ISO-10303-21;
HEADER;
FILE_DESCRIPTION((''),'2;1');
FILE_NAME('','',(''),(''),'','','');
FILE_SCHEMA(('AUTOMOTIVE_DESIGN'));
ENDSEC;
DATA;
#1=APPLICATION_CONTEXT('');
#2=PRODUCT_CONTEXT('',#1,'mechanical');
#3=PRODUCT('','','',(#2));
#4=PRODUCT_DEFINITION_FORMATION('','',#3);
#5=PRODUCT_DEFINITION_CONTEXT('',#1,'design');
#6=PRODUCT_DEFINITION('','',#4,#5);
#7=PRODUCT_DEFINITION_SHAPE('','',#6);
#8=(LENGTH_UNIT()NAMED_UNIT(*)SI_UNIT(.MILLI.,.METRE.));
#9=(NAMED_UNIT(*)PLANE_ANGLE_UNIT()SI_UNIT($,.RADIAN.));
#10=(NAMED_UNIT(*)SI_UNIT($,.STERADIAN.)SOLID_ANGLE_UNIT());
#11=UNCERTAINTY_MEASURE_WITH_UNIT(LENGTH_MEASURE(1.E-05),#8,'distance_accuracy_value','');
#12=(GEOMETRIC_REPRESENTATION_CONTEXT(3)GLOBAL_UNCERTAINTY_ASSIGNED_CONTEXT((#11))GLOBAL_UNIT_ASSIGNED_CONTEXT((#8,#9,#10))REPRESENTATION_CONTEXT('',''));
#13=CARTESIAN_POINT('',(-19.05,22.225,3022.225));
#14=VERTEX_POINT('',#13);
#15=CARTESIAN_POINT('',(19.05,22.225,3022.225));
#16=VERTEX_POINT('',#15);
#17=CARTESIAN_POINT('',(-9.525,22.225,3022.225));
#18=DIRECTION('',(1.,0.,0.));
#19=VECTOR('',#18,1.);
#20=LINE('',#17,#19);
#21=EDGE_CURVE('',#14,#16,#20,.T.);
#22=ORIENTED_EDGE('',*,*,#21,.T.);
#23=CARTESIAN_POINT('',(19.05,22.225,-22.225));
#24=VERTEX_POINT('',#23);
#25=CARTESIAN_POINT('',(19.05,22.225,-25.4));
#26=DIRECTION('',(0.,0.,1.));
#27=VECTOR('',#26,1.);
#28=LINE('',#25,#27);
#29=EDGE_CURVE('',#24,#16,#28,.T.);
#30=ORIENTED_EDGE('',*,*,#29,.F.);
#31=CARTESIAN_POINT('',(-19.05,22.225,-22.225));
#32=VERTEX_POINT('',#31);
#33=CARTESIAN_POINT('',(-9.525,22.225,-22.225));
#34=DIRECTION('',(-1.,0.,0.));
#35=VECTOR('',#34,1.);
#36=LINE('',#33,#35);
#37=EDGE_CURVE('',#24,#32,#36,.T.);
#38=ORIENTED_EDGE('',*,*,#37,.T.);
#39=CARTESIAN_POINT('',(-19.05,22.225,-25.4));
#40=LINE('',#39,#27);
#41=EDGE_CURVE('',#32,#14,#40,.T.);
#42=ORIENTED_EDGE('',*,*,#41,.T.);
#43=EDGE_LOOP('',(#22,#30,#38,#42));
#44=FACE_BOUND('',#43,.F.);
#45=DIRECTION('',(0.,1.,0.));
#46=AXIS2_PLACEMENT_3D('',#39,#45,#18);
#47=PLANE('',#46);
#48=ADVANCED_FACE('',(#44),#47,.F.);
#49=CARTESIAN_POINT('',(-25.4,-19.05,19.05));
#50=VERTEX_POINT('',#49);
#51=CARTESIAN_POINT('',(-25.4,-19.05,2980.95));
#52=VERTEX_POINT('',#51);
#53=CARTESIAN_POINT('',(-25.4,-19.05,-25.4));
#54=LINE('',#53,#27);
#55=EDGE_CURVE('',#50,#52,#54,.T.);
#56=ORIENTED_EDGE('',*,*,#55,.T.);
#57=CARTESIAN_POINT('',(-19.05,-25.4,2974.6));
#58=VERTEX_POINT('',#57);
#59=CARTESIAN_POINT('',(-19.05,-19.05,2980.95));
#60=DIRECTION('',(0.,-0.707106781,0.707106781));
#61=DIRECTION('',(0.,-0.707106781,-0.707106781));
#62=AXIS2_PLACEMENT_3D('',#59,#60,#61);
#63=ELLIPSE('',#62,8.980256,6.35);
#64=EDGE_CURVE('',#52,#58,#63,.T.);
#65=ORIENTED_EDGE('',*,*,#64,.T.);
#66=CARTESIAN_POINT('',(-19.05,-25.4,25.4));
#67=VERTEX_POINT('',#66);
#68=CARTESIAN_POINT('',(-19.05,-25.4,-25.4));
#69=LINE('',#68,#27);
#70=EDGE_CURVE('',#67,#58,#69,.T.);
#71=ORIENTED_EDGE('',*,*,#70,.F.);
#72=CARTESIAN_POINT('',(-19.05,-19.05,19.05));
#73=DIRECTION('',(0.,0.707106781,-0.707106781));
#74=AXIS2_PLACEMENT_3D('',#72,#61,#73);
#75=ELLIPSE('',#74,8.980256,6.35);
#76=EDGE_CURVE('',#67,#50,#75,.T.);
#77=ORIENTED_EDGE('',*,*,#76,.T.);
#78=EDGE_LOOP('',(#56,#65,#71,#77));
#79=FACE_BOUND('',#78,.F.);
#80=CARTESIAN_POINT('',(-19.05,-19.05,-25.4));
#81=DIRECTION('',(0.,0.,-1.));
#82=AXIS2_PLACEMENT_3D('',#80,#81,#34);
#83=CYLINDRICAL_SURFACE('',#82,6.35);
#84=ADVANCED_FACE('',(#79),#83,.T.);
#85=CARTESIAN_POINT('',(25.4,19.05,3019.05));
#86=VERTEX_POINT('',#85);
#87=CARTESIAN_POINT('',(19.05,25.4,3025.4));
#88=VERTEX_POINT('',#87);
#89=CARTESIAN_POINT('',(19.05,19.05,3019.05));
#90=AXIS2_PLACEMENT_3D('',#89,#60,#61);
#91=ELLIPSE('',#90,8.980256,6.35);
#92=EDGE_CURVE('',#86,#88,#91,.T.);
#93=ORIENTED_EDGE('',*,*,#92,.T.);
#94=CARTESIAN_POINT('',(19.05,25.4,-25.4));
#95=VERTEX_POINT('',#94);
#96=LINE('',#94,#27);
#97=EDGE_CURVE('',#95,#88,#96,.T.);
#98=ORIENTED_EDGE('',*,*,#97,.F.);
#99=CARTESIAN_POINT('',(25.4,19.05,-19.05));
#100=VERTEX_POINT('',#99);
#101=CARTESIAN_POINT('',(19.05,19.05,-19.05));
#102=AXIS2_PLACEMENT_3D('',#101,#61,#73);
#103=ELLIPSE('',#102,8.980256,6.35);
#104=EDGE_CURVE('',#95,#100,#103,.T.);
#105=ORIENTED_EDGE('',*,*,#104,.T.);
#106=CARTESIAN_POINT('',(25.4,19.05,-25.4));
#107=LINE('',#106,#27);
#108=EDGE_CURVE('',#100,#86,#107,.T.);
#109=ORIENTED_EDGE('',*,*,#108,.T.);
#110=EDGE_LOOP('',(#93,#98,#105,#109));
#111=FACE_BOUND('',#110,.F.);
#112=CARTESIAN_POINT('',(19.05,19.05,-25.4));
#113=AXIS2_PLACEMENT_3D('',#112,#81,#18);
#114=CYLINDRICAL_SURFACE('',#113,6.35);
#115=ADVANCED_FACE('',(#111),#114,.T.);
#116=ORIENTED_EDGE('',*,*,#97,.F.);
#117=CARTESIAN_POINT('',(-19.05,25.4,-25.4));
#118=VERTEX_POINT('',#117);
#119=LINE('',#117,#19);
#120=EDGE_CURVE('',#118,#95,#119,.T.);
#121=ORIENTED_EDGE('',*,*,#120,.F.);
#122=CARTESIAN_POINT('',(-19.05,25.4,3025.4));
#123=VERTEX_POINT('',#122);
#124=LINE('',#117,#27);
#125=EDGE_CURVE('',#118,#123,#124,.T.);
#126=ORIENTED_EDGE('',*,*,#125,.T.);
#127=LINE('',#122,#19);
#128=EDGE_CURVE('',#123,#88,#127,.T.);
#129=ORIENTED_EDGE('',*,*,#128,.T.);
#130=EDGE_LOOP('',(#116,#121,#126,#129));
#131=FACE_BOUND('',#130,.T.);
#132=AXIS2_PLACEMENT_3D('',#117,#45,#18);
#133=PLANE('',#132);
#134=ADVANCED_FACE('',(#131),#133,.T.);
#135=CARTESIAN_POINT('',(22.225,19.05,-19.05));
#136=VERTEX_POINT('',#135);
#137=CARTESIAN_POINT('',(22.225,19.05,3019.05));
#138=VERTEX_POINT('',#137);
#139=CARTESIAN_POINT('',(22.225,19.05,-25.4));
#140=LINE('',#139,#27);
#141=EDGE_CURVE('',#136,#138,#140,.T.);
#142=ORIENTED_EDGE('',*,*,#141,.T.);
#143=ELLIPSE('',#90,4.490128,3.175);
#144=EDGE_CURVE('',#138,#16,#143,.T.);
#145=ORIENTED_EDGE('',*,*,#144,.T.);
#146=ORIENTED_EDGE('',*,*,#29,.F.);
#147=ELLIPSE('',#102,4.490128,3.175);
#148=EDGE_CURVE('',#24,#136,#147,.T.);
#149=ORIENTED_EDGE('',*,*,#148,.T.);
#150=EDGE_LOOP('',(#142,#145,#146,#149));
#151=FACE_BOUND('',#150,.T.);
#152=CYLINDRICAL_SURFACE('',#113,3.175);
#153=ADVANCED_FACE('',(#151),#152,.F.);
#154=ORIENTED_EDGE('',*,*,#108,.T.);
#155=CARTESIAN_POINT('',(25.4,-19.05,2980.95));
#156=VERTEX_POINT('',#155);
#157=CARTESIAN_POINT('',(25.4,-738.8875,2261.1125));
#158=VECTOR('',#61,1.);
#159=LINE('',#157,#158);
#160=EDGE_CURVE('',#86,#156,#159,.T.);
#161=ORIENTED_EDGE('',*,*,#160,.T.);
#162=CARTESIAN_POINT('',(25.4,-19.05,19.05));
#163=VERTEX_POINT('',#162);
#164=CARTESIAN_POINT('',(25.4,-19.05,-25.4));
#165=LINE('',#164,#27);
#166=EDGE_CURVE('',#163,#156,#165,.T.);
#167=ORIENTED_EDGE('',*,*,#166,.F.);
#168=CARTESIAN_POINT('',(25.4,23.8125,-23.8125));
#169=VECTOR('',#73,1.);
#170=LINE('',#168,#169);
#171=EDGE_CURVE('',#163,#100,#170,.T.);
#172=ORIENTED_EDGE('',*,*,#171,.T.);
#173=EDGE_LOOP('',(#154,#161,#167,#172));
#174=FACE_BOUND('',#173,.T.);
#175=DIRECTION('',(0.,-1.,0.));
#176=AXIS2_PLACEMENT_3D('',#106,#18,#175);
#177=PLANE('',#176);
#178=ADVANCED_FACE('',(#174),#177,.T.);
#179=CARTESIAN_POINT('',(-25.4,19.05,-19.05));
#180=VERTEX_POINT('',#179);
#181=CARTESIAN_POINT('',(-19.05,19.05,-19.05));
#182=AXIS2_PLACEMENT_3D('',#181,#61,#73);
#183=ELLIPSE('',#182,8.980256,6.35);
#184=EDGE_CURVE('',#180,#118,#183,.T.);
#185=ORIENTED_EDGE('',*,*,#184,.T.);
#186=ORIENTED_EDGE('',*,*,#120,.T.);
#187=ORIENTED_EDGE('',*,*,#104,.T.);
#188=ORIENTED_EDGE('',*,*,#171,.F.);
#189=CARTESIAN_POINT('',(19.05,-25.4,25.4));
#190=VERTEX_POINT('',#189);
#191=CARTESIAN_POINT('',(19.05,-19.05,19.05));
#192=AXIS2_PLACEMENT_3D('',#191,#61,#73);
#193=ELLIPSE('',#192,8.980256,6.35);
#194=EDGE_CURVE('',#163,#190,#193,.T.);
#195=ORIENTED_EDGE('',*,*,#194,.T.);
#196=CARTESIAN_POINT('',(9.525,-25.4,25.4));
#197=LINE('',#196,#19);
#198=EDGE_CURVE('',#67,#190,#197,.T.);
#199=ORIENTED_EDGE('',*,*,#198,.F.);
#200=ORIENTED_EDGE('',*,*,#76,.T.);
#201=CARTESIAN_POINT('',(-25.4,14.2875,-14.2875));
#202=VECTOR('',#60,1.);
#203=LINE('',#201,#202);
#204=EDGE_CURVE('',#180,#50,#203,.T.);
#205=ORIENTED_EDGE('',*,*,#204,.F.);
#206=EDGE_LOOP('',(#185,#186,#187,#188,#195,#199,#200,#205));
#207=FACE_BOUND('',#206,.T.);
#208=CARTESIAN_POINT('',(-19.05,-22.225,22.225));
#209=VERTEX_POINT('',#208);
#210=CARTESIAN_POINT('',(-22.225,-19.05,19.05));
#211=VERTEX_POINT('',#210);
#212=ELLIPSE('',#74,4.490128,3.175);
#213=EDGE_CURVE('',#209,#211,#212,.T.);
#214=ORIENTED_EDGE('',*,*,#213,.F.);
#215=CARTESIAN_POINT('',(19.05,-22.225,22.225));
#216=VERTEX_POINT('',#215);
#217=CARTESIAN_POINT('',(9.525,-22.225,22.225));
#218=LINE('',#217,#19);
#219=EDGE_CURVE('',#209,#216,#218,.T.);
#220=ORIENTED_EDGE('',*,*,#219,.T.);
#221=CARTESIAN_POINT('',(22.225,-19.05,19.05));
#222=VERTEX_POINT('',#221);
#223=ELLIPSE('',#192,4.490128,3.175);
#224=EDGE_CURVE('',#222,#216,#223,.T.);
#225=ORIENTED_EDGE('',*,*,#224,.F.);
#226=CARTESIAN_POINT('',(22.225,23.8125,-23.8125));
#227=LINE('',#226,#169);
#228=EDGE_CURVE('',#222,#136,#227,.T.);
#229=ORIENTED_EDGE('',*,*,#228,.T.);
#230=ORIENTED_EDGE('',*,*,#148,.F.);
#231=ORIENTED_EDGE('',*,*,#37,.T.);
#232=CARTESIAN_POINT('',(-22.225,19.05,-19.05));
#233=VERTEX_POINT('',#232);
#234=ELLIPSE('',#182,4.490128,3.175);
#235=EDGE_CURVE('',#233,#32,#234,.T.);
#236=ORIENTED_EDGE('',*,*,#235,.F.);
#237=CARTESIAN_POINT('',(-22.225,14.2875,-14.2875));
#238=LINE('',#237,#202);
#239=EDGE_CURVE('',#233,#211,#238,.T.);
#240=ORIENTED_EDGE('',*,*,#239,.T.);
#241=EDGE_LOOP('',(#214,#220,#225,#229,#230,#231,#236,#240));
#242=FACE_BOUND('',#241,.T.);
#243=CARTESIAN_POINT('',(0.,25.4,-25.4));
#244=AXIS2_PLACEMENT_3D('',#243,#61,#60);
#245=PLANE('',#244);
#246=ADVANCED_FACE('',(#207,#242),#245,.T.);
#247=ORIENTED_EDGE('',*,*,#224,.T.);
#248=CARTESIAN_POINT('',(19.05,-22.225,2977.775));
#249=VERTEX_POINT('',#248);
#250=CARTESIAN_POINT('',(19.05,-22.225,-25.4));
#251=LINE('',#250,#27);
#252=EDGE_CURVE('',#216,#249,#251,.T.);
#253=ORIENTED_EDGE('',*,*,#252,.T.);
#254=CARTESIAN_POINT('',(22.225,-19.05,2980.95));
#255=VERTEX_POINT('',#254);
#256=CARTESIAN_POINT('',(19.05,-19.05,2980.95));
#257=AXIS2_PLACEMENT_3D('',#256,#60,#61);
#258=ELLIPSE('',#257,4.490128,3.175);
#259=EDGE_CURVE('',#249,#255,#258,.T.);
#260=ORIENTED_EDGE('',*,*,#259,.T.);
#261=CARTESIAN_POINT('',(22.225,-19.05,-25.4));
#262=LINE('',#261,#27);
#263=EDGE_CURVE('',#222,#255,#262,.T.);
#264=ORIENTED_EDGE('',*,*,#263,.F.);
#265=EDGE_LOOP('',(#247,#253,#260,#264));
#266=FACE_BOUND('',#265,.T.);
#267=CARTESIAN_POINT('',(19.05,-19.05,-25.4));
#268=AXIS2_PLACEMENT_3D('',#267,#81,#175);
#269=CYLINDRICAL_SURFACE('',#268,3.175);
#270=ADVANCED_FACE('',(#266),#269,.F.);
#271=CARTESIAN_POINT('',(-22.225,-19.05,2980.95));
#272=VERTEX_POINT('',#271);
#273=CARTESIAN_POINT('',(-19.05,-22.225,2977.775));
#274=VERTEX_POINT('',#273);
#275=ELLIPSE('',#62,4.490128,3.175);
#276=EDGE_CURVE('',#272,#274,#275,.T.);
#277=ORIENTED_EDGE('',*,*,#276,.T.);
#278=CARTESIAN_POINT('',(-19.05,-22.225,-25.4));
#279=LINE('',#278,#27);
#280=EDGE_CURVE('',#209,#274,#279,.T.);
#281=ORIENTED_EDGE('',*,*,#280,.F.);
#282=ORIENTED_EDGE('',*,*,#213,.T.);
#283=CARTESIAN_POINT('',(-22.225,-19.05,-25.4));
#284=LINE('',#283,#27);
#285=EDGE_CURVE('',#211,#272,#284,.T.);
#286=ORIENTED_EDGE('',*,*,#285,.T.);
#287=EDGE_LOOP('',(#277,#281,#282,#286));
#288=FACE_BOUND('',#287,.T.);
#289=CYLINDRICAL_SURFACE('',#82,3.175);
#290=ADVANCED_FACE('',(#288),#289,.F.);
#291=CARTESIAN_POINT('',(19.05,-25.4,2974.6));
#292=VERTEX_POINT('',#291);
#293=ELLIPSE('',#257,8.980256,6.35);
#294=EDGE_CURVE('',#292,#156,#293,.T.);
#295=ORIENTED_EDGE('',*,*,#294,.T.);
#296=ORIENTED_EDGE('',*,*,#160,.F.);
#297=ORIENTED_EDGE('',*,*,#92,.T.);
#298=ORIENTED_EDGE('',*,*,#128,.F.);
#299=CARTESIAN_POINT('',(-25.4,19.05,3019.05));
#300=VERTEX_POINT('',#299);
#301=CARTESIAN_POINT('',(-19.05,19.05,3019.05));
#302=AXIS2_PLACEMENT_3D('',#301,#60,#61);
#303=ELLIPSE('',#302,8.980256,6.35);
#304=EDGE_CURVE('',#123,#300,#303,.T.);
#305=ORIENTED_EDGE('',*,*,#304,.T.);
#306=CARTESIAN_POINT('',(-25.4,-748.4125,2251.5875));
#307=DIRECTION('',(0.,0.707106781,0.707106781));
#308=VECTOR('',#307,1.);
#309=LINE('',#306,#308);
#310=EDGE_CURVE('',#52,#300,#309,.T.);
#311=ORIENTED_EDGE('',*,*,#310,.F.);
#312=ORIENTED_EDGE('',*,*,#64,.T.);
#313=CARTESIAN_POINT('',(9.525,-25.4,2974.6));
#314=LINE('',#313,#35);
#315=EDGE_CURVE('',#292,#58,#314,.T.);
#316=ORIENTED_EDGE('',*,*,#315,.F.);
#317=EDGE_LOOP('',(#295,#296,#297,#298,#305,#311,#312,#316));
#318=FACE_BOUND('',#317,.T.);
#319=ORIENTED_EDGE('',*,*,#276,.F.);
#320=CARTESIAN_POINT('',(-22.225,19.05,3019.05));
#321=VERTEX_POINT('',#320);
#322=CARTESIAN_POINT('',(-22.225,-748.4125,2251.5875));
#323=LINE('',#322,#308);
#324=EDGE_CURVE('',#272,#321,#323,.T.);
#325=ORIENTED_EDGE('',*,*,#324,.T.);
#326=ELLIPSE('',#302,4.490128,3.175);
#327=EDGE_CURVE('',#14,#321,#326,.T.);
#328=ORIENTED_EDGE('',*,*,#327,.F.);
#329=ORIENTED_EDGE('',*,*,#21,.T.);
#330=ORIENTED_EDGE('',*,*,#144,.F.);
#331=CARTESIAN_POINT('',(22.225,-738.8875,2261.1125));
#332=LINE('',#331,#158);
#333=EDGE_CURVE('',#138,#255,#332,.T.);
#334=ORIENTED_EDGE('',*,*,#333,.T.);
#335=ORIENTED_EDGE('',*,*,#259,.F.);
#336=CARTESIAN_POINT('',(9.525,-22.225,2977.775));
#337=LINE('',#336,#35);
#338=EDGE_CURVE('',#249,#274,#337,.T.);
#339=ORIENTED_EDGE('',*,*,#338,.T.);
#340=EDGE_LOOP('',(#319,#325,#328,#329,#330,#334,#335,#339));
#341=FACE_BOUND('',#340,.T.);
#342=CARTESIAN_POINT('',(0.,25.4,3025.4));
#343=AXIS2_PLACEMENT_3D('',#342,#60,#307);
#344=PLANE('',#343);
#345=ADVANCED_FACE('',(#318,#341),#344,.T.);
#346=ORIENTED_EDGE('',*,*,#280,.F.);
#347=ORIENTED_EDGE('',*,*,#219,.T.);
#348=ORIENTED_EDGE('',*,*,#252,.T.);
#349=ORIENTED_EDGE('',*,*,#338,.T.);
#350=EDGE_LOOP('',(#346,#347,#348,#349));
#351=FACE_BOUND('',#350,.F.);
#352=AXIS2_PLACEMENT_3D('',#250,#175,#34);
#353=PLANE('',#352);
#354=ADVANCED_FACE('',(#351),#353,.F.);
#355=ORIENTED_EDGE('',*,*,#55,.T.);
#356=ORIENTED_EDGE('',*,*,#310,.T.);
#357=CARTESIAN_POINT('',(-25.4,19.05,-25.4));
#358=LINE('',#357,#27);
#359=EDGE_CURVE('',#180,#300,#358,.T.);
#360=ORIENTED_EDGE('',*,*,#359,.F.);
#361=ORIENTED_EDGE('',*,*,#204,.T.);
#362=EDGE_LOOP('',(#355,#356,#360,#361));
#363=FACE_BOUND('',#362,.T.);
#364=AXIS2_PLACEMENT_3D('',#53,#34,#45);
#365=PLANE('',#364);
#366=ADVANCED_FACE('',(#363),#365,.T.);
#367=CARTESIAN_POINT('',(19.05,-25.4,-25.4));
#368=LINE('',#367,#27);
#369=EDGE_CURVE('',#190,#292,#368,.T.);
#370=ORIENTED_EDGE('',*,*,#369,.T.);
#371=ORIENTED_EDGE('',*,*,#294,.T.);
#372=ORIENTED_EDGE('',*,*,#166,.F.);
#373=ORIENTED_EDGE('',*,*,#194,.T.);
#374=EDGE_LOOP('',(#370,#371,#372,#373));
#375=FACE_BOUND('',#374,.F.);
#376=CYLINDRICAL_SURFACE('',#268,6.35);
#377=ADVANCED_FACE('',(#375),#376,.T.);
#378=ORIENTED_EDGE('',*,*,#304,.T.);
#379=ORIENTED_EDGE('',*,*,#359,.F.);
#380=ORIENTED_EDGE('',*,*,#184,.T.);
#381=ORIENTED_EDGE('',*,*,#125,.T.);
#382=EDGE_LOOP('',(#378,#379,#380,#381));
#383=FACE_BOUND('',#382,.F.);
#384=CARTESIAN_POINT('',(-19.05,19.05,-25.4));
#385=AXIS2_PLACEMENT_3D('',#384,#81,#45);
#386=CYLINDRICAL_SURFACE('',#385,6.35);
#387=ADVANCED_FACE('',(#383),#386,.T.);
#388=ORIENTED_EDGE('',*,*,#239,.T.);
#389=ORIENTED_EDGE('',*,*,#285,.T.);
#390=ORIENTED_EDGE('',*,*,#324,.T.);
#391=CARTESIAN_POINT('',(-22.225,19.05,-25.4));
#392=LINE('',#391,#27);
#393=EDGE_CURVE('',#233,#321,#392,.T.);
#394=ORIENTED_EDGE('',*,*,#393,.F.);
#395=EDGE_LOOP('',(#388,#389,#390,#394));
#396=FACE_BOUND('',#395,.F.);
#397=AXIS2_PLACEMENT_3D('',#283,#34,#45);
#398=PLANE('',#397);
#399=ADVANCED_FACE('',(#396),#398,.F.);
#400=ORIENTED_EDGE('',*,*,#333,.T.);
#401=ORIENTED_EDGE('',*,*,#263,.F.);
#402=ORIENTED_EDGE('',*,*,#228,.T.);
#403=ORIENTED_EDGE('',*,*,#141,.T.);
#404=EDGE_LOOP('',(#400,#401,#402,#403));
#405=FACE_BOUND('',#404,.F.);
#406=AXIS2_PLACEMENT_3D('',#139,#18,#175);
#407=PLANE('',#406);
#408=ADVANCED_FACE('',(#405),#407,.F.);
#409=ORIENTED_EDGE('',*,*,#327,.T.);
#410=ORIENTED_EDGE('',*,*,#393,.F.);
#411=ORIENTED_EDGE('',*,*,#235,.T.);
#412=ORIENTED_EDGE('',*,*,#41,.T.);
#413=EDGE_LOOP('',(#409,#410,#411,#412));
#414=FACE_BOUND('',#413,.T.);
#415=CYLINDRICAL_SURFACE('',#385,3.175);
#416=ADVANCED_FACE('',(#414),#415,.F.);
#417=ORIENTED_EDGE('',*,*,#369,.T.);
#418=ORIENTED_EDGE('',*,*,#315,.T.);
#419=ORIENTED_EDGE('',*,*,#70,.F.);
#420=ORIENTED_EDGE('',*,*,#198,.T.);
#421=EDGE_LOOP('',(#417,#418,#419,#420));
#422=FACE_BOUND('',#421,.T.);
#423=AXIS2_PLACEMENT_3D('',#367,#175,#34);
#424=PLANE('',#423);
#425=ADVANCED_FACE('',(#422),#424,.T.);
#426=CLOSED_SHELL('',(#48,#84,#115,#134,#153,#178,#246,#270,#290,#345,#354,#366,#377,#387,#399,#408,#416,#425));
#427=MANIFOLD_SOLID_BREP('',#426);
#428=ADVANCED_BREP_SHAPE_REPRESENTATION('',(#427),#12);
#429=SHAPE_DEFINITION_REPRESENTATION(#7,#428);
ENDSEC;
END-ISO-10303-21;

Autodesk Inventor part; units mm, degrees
ref_plane "Plano inicial" through (0, 0, -25.4) normal (0, 0, 1) x (1, 0, 0)
ref_plane "Plano final" through (0, 0, 3025.4) normal (0, 0, 1) x (1, 0, 0)
sketch "Boceto" plane through (0, 0, 0) normal (0, 0, 1) x (1, 0, 0)
  line L0 (-25.4, -19.05) -> (-25.4, 19.05)
  line L1 (-19.05, 25.4) -> (19.05, 25.4)
  line L2 (25.4, 19.05) -> (25.4, -19.05)
  line L3 (19.05, -25.4) -> (-19.05, -25.4)
  arc A0 (-25.4, -19.05) -> (-19.05, -25.4) centre (-19.05, -19.05) ccw
  arc A1 (-19.05, 25.4) -> (-25.4, 19.05) centre (-19.05, 19.05) ccw
  arc A2 (25.4, 19.05) -> (19.05, 25.4) centre (19.05, 19.05) ccw
  arc A3 (19.05, -25.4) -> (25.4, -19.05) centre (19.05, -19.05) ccw
  arc A4 (-19.05, 22.225) -> (-22.225, 19.05) centre (-19.05, 19.05) ccw
  line L4 (-19.05, 22.225) -> (19.05, 22.225)
  arc A5 (22.225, 19.05) -> (19.05, 22.225) centre (19.05, 19.05) ccw
  line L5 (22.225, 19.05) -> (22.225, -19.05)
  arc A6 (19.05, -22.225) -> (22.225, -19.05) centre (19.05, -19.05) ccw
  line L6 (19.05, -22.225) -> (-19.05, -22.225)
  arc A7 (-22.225, -19.05) -> (-19.05, -22.225) centre (-19.05, -19.05) ccw
  line L7 (-22.225, -19.05) -> (-22.225, 19.05)
  line L8 (0, 37.4012) -> (0, -37.4012) construction
  line L9 (-37.4012, 0) -> (37.4012, 0) construction
  dimension "d10" = 50.8
  dimension "d11" = 50.8
  dimension "d12" = 3.175
  dimension "d15" = 25.4
  dimension "d16" = 25.4
  dimension "d17" = 6.35
extrude "Cuerpo" add sketch "Boceto" along normal up to surface (3050.8 mm away) from surface at -25.4
sketch "Sketch3" plane through (0, 0, 0) normal (0, 0, 1) x (1, 0, 0)
  line L0 (0, 0) -> (10, 0)
ref_plane "Work Plane3" through (0, 0, 0) normal (0, -1, 0) x (1, 0, 0)
ref_plane "Plano de trabajo4" through (0, 25.4, 3025.4) normal (0, -0.7071, 0.7071) x (1, 0, 0)
split "Dividir1" plane through (0, 25.4, 3025.4) removes the side toward (0, -0.7071, 0.7071)
ref_plane "Plano de trabajo5" through (0, 25.4, -25.4) normal (0, -0.7071, -0.7071) x (1, 0, 0)
split "Dividir2" plane through (0, 25.4, -25.4) removes the side toward (0, -0.7071, -0.7071)
sketch "Sketch4" plane through (0, 0, 0) normal (0, -1, 0) x (1, 0, 0)
  line L0 (-2, -25.4) -> (12, -25.4) projected
  line L1 (-2, 3025.4) -> (12, 3025.4) projected
  dimension "d19" = 3050.8
equation "\"d10\" = G_H"
equation "\"d11\" = G_W"
equation "\"d12\" = G_T"
equation "\"d15\" = 0.5 * d10"
equation "\"d16\" = 0.5 * d11"
equation "\"d17\" = G_IR"
equation "\"d3\" = G_L"
equation "\"G_W\" = 50.8"
equation "\"G_H\" = 50.8"
equation "\"G_T\" = 3.175"
equation "\"G_IR\" = 6.35"
equation "\"G_L\" = d19"
equation "\"G_OFFSET_START\" = 25.4"
equation "\"G_OFFSET_END\" = 25.4"
equation "\"d13\" = -G_OFFSET_START"
equation "\"d14\" = G_OFFSET_END + B_L"
equation "\"B_L\" = 3000"
properties part number "AISC - 2 x 2 x 1/8 - 120,11" material "Acero, suave"
